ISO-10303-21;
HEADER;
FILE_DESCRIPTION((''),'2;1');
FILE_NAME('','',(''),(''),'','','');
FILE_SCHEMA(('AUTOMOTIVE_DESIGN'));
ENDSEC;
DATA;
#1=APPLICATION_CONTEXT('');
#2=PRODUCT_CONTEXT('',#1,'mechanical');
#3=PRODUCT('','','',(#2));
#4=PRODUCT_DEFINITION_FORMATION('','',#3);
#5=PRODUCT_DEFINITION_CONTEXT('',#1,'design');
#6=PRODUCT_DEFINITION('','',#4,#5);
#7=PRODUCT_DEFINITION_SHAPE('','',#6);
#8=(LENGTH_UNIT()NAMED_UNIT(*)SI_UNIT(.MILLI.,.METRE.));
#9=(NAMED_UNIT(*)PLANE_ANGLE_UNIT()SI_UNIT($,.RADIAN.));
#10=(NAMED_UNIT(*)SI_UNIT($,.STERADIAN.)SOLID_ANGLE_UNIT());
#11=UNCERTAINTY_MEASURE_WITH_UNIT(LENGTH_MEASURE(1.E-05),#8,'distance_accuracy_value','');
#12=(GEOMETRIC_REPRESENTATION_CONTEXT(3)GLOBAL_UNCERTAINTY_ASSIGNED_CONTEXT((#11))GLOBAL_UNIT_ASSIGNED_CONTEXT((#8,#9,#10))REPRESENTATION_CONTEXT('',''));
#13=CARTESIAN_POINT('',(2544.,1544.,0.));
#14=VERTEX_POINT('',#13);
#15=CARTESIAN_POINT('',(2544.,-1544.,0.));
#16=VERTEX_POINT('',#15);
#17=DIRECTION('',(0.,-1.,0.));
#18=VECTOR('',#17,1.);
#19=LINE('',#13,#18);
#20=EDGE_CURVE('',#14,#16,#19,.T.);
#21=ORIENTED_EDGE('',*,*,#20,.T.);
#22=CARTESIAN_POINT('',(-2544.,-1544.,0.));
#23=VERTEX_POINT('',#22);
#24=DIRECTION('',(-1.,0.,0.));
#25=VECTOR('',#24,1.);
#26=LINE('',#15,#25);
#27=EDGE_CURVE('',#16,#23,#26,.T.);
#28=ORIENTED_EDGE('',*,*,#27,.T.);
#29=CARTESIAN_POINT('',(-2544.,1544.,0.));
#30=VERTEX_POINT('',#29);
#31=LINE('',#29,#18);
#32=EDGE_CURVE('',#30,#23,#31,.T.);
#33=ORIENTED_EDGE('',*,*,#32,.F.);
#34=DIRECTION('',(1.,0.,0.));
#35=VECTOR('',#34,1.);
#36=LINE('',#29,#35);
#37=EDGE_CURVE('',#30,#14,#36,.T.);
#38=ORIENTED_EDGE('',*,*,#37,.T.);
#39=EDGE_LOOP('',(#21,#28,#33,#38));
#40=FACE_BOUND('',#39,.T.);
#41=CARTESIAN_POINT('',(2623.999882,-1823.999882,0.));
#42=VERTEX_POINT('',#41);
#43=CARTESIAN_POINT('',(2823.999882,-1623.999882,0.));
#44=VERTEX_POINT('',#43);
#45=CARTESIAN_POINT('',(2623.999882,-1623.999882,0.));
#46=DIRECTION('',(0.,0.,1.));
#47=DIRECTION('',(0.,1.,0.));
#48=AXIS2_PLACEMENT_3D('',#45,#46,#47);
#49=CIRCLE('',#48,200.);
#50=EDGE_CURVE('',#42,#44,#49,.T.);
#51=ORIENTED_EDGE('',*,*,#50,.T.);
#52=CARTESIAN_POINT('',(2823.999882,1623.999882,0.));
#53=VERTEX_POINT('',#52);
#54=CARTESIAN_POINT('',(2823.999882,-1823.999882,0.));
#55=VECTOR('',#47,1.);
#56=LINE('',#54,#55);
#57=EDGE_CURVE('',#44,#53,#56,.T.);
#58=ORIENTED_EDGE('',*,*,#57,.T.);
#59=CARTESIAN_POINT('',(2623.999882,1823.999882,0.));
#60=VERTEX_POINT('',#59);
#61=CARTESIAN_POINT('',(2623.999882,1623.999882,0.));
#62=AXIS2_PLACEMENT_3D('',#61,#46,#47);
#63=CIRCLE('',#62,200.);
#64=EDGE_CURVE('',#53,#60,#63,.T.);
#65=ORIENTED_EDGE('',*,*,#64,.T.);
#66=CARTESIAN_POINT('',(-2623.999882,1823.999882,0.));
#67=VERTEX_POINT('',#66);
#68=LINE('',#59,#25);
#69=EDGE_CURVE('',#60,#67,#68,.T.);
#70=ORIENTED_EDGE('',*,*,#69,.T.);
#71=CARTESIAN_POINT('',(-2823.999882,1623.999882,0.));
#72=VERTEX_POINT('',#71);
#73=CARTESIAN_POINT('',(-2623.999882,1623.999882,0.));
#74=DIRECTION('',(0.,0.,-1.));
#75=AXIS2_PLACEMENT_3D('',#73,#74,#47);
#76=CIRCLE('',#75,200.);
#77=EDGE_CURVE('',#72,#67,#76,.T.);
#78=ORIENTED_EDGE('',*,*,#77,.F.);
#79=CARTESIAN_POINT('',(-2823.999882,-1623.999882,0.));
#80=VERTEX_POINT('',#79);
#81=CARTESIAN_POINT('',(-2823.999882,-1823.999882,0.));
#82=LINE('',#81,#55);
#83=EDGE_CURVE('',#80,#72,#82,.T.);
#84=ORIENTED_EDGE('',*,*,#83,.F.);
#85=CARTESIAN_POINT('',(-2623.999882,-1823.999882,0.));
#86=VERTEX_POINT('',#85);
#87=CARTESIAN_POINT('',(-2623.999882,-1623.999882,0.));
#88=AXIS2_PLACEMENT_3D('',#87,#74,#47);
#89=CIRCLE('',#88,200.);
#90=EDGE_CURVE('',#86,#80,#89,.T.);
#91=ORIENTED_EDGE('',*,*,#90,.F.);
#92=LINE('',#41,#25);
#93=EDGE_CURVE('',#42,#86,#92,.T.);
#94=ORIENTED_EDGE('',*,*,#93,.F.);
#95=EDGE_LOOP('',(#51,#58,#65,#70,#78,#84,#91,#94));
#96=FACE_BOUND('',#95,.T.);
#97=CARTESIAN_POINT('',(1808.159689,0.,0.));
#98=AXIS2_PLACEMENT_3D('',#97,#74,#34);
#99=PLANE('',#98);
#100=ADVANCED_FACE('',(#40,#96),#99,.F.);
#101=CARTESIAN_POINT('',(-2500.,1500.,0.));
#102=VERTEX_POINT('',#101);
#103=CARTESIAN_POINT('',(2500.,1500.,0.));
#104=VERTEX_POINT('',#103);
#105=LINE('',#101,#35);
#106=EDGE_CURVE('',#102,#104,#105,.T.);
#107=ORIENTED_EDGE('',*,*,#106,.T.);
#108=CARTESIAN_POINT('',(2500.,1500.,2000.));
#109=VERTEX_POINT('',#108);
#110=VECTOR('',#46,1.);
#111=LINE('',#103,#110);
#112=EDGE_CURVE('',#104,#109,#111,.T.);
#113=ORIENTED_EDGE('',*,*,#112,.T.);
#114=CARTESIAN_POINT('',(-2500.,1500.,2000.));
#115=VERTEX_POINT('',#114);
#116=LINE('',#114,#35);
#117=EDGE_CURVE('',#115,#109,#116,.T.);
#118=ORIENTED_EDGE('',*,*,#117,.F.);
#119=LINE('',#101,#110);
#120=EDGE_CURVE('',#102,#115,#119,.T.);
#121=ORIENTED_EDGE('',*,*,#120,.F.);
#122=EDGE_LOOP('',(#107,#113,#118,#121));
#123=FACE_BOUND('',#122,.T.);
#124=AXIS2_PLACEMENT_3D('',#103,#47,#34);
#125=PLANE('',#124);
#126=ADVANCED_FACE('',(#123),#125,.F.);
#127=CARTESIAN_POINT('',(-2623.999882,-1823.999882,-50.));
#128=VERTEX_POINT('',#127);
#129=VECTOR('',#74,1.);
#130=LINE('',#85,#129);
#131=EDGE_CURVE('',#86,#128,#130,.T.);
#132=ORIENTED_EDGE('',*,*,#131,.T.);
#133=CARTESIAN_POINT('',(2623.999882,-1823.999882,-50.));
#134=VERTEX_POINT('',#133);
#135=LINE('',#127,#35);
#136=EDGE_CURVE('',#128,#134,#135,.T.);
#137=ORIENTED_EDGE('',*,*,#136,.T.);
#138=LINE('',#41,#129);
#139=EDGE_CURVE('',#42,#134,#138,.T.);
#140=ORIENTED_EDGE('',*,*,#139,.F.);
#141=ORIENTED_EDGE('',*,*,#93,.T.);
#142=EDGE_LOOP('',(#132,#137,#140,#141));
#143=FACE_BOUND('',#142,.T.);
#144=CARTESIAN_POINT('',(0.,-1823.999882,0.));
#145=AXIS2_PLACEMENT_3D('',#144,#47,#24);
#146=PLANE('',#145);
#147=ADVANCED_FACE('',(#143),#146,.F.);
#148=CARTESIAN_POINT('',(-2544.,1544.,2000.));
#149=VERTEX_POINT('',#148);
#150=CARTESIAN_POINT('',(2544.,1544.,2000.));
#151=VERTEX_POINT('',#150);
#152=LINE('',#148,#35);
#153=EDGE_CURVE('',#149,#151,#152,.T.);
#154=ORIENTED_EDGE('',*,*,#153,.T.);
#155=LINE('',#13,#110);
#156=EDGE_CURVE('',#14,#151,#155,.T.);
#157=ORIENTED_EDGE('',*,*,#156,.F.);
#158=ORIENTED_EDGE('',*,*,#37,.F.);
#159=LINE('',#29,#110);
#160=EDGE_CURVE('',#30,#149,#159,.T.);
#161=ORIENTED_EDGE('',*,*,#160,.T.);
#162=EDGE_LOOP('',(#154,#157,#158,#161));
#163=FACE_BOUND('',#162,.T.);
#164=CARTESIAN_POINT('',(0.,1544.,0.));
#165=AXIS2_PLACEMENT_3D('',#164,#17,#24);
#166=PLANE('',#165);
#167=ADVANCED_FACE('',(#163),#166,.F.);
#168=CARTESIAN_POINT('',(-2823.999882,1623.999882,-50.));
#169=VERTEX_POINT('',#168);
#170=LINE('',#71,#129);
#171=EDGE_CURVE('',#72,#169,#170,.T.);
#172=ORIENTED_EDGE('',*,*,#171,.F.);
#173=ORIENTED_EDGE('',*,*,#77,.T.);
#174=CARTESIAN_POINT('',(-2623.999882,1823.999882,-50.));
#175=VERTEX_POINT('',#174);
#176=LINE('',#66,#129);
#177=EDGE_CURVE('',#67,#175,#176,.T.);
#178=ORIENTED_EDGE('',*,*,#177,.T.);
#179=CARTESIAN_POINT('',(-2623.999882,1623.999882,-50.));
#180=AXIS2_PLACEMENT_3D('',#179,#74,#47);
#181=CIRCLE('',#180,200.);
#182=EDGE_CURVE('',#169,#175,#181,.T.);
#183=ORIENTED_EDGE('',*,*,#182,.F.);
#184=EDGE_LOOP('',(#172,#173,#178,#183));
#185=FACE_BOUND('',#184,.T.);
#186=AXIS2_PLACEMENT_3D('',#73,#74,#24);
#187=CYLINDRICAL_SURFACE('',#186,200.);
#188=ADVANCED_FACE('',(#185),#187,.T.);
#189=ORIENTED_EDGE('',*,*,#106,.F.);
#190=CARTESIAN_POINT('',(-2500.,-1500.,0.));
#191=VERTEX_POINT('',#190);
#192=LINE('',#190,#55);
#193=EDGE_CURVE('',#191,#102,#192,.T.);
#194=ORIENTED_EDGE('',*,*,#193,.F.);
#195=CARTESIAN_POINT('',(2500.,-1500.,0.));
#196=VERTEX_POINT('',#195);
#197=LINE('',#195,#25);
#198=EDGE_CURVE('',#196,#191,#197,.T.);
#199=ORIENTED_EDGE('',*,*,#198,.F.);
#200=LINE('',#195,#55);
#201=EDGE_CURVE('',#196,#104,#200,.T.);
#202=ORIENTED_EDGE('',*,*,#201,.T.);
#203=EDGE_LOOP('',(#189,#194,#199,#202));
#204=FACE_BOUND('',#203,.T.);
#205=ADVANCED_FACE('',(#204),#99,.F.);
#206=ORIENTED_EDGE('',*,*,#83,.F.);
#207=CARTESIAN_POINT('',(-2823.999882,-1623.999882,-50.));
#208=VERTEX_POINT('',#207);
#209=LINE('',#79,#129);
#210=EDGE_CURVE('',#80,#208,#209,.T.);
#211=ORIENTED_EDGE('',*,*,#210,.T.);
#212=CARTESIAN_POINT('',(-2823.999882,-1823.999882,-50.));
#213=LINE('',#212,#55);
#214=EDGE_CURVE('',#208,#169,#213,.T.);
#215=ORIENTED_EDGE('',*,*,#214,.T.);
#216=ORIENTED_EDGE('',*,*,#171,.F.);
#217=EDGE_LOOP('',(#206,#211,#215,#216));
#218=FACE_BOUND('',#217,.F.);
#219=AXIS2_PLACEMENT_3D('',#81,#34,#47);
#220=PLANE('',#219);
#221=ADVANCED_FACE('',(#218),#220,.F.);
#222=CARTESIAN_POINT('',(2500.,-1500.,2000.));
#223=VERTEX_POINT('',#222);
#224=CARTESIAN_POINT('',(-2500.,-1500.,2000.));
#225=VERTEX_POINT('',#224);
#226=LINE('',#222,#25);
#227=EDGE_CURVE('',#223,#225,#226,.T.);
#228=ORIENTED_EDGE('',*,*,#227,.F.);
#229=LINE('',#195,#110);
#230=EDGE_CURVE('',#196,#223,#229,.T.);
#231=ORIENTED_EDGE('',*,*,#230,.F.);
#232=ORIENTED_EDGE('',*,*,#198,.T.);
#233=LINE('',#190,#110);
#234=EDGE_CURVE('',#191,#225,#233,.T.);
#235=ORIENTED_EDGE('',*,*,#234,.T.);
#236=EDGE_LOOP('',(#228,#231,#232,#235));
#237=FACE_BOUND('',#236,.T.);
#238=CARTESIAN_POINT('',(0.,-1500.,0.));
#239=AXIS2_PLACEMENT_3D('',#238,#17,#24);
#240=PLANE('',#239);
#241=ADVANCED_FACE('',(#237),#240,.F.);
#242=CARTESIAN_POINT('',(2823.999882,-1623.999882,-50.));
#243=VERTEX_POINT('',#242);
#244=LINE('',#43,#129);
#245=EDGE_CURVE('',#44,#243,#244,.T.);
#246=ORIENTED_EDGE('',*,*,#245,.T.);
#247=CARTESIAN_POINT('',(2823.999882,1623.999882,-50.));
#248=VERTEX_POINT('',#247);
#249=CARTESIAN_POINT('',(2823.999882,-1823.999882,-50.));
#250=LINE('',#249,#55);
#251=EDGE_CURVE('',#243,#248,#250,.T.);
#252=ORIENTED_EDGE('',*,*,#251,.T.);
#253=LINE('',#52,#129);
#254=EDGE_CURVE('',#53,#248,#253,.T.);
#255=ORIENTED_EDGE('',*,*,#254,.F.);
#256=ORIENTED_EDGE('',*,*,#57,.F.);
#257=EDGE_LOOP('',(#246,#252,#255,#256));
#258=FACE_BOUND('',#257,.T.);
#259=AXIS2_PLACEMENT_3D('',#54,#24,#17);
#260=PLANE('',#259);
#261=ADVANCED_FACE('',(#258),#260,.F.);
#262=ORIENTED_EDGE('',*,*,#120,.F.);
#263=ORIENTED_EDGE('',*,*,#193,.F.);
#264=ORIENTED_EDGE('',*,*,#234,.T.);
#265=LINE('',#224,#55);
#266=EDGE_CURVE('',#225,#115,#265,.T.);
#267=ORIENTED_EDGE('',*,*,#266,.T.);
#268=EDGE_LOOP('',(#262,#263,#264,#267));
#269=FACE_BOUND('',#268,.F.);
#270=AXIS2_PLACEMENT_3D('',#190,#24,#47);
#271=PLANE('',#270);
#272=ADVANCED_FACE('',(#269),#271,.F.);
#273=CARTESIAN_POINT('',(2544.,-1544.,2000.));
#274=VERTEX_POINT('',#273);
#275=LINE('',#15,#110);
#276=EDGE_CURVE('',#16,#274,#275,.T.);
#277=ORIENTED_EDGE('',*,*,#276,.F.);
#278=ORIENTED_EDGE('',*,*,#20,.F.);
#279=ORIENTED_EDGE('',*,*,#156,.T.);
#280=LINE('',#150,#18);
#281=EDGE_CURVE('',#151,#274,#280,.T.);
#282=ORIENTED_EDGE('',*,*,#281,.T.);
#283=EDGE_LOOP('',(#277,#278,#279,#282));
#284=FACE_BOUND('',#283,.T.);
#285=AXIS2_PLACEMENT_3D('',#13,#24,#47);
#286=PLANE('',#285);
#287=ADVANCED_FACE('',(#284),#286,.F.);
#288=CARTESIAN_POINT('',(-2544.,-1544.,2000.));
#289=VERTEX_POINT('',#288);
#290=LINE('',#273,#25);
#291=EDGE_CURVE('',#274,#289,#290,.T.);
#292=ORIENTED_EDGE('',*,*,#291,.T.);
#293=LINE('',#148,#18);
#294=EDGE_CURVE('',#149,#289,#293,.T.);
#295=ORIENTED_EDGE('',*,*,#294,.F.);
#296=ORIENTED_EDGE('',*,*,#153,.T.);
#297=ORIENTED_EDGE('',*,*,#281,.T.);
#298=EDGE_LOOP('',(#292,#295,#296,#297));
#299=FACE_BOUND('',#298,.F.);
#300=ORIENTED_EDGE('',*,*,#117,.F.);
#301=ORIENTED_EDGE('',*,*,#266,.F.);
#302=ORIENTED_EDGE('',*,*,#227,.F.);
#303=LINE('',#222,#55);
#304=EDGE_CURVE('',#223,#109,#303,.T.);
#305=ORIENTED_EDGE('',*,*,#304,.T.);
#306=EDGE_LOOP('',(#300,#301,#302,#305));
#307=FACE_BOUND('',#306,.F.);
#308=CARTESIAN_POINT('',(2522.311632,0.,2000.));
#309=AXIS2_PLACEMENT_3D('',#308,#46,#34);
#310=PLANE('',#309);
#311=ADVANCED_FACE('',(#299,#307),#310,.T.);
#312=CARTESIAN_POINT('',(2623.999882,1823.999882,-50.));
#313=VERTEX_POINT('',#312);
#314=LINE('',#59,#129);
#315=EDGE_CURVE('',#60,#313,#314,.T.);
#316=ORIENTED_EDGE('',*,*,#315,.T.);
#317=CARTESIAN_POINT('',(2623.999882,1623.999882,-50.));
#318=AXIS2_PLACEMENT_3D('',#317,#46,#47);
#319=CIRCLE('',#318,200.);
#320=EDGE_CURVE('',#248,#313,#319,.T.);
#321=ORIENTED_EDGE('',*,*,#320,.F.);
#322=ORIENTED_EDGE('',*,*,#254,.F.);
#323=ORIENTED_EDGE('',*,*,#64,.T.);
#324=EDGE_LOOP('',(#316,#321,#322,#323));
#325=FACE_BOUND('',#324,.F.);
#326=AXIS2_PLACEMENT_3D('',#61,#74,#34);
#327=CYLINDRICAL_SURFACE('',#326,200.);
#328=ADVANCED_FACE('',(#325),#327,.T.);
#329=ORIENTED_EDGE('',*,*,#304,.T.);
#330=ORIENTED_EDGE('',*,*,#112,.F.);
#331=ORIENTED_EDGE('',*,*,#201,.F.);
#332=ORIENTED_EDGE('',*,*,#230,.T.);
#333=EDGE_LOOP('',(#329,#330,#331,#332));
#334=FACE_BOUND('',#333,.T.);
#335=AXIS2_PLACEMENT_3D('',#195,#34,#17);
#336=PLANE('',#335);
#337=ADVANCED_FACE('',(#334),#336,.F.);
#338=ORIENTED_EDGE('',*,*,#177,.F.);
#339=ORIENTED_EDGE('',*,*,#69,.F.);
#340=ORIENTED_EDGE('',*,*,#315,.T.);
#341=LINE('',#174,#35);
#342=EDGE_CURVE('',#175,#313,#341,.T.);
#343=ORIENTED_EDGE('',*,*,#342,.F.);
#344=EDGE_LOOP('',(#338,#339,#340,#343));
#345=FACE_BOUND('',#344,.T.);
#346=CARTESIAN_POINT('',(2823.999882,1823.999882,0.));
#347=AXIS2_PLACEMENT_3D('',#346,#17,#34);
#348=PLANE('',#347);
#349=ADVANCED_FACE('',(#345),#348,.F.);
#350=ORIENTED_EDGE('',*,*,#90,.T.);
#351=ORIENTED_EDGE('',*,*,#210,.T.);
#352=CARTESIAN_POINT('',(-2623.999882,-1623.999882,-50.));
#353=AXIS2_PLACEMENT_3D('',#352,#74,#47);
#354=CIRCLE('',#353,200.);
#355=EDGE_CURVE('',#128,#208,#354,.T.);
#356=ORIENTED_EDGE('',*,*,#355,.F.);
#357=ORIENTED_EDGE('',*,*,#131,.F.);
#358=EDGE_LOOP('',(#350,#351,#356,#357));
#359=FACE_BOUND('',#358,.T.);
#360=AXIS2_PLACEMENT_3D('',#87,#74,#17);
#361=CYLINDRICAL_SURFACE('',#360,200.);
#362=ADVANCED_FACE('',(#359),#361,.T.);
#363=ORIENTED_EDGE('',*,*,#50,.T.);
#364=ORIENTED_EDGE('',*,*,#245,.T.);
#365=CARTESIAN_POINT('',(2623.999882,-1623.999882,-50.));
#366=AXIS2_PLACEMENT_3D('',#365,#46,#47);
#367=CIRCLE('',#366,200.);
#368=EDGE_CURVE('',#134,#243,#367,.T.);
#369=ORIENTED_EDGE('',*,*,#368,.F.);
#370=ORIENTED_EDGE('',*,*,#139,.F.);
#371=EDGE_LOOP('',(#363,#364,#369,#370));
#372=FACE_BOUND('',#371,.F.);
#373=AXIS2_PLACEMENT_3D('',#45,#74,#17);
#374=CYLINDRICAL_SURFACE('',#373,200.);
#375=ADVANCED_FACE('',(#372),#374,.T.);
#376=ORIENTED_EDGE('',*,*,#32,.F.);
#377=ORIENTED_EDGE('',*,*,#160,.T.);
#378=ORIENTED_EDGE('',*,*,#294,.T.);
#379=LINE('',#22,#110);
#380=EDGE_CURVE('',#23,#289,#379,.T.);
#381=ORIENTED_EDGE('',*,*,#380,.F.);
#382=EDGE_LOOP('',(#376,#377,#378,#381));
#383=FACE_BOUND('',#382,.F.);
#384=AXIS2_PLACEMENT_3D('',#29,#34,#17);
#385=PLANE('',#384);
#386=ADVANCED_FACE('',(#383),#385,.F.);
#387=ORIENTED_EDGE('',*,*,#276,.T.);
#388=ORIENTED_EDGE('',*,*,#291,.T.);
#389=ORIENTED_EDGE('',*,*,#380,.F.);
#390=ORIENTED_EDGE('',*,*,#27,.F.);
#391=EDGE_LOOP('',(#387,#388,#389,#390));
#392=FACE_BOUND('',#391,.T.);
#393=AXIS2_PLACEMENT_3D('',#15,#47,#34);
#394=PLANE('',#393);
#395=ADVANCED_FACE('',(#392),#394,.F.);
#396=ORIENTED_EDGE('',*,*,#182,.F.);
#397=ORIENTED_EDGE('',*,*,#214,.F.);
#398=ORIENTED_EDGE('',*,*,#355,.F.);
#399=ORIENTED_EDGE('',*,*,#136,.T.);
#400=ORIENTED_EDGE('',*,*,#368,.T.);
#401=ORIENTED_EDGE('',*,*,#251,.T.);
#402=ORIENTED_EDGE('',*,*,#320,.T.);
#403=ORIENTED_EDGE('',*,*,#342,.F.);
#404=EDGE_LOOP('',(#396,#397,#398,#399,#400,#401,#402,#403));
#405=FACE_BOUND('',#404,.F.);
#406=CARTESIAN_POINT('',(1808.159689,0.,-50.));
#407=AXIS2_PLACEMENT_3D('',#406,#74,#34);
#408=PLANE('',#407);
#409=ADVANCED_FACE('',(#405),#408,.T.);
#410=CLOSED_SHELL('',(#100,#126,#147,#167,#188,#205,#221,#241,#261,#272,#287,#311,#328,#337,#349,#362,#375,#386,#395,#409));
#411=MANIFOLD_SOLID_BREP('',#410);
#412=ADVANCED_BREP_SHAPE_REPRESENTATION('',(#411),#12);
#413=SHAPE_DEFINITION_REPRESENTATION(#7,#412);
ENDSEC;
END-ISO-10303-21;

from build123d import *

# Parameters (mm, degrees)
F1_DEPTH = 2000
F2_W     = 2500
F2_H     = 3000
F3_DEPTH = 50
F4_R     = 200


with BuildPart() as f1:
    # F0 (on Top) → F1 (new body)
    with BuildSketch(Plane.XY):
        Polygon((-2500, -1500), (-2500, 1500), (-2544, 1544), (-2544, -1544), align=None)
        Polygon((-2544, 1544), (-2500, 1500), (0, 1500), (0, 1544), align=None)
        Polygon((0, -1500), (-2500, -1500), (-2544, -1544), (0, -1544), align=None)
    extrude(amount=F1_DEPTH)

    # F2 (on face) → F3 (join)
    with BuildSketch(Plane(origin=(0, 0, 0), x_dir=(1, 0, 0), z_dir=(0, 0, -1))):
        Polygon((0, 1823.9998817444), (-2823.9998817444, 1823.9998817444), (-2823.9998817444, -1823.9998817444), (0, -1823.9998817444), (0, -1544), (-2544, -1544), (-2544, 1544), (0, 1544), align=None)
        with Locations((-1250, 0)):
            Rectangle(F2_W, F2_H)
        Polygon((0, 1500), (0, 1544), (-2544, 1544), (-2544, -1544), (0, -1544), (0, -1500), (-2500, -1500), (-2500, 1500), align=None)
    extrude(amount=F3_DEPTH)

    # F4
    f4_edges = [f1.edges().sort_by_distance(p)[0] for p in [
        (-2823.999882, -1823.999882, -25),
        (-2823.999882, 1823.999882, -25),
    ]]
    fillet(f4_edges, radius=F4_R)

    # F5: F1 across face


with BuildPart() as f1_1:
    add(f1.part)
    add(f1.part.mirror(Plane(origin=(0, 0, 478.3482308939), x_dir=(0, 1, 0), z_dir=(1, 0, 0))))


solid = f1_1.part
